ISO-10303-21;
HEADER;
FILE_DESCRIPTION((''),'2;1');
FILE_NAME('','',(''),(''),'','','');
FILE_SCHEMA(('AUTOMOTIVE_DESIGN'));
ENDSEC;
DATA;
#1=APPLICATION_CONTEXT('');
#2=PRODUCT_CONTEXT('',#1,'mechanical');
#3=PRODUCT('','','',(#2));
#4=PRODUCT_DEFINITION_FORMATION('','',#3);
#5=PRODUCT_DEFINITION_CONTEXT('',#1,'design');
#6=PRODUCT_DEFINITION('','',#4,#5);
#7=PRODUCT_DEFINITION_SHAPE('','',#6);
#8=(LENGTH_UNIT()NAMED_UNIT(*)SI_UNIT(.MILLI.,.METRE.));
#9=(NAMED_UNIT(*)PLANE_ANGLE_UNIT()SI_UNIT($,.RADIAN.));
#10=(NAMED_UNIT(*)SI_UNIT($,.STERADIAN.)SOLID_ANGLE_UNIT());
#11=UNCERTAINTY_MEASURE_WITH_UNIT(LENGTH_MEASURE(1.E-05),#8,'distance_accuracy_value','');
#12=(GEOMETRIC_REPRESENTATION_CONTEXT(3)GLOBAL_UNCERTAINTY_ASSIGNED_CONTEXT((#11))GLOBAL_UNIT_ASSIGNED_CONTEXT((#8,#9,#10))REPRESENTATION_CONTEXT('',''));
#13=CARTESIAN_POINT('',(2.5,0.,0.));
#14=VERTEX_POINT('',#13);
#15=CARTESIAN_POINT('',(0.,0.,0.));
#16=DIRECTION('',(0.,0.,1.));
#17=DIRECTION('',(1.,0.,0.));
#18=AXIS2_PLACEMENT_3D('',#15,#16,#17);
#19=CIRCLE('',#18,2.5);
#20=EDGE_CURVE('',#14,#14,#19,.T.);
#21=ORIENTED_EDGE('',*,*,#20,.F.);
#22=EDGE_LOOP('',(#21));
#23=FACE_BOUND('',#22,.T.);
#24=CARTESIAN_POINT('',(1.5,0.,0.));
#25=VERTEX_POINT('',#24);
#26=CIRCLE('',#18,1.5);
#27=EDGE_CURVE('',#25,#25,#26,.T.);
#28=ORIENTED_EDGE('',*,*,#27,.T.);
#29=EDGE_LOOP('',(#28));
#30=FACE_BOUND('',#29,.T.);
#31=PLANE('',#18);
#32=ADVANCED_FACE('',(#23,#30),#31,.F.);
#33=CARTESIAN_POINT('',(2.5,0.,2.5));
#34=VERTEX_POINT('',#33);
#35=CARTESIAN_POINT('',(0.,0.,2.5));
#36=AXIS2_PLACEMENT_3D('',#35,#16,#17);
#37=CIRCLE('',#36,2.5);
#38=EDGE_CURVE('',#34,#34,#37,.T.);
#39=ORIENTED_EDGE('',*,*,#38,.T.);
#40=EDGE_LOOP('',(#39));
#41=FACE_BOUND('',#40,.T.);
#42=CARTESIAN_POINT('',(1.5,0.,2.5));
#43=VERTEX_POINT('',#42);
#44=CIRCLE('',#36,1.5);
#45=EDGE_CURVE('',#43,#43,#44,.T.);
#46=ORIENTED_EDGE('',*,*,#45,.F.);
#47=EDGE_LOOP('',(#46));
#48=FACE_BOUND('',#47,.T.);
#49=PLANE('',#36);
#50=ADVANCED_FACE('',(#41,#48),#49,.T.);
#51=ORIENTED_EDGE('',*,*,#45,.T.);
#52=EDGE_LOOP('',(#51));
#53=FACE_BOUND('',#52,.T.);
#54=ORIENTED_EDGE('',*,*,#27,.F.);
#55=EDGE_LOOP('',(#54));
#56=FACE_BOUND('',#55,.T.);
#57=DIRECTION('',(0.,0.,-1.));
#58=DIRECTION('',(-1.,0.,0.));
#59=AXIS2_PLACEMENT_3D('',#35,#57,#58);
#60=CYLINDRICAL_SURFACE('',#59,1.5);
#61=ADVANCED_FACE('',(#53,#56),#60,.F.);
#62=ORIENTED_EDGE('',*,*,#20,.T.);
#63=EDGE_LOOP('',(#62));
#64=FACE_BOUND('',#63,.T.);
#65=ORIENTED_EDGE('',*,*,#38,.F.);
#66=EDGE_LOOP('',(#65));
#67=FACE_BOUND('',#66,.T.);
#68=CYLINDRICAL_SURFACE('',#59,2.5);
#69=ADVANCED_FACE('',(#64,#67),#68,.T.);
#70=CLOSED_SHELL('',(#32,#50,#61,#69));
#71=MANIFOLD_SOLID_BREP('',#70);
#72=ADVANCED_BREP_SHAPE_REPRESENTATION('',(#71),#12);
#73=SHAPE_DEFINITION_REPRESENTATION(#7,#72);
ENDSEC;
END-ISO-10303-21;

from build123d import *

# Parameters (mm, degrees)
SKETCH_1_R      = 2.5
SKETCH_1_R_2    = 1.5
EXTRUDE_1_DEPTH = 2.5


with BuildPart() as part:
    # 草图1 → 凸台-拉伸1 (new body)
    with BuildSketch(Plane.XY):
        Circle(SKETCH_1_R)
        Circle(SKETCH_1_R_2, mode=Mode.SUBTRACT)
    extrude(amount=EXTRUDE_1_DEPTH)


solid = part.part
